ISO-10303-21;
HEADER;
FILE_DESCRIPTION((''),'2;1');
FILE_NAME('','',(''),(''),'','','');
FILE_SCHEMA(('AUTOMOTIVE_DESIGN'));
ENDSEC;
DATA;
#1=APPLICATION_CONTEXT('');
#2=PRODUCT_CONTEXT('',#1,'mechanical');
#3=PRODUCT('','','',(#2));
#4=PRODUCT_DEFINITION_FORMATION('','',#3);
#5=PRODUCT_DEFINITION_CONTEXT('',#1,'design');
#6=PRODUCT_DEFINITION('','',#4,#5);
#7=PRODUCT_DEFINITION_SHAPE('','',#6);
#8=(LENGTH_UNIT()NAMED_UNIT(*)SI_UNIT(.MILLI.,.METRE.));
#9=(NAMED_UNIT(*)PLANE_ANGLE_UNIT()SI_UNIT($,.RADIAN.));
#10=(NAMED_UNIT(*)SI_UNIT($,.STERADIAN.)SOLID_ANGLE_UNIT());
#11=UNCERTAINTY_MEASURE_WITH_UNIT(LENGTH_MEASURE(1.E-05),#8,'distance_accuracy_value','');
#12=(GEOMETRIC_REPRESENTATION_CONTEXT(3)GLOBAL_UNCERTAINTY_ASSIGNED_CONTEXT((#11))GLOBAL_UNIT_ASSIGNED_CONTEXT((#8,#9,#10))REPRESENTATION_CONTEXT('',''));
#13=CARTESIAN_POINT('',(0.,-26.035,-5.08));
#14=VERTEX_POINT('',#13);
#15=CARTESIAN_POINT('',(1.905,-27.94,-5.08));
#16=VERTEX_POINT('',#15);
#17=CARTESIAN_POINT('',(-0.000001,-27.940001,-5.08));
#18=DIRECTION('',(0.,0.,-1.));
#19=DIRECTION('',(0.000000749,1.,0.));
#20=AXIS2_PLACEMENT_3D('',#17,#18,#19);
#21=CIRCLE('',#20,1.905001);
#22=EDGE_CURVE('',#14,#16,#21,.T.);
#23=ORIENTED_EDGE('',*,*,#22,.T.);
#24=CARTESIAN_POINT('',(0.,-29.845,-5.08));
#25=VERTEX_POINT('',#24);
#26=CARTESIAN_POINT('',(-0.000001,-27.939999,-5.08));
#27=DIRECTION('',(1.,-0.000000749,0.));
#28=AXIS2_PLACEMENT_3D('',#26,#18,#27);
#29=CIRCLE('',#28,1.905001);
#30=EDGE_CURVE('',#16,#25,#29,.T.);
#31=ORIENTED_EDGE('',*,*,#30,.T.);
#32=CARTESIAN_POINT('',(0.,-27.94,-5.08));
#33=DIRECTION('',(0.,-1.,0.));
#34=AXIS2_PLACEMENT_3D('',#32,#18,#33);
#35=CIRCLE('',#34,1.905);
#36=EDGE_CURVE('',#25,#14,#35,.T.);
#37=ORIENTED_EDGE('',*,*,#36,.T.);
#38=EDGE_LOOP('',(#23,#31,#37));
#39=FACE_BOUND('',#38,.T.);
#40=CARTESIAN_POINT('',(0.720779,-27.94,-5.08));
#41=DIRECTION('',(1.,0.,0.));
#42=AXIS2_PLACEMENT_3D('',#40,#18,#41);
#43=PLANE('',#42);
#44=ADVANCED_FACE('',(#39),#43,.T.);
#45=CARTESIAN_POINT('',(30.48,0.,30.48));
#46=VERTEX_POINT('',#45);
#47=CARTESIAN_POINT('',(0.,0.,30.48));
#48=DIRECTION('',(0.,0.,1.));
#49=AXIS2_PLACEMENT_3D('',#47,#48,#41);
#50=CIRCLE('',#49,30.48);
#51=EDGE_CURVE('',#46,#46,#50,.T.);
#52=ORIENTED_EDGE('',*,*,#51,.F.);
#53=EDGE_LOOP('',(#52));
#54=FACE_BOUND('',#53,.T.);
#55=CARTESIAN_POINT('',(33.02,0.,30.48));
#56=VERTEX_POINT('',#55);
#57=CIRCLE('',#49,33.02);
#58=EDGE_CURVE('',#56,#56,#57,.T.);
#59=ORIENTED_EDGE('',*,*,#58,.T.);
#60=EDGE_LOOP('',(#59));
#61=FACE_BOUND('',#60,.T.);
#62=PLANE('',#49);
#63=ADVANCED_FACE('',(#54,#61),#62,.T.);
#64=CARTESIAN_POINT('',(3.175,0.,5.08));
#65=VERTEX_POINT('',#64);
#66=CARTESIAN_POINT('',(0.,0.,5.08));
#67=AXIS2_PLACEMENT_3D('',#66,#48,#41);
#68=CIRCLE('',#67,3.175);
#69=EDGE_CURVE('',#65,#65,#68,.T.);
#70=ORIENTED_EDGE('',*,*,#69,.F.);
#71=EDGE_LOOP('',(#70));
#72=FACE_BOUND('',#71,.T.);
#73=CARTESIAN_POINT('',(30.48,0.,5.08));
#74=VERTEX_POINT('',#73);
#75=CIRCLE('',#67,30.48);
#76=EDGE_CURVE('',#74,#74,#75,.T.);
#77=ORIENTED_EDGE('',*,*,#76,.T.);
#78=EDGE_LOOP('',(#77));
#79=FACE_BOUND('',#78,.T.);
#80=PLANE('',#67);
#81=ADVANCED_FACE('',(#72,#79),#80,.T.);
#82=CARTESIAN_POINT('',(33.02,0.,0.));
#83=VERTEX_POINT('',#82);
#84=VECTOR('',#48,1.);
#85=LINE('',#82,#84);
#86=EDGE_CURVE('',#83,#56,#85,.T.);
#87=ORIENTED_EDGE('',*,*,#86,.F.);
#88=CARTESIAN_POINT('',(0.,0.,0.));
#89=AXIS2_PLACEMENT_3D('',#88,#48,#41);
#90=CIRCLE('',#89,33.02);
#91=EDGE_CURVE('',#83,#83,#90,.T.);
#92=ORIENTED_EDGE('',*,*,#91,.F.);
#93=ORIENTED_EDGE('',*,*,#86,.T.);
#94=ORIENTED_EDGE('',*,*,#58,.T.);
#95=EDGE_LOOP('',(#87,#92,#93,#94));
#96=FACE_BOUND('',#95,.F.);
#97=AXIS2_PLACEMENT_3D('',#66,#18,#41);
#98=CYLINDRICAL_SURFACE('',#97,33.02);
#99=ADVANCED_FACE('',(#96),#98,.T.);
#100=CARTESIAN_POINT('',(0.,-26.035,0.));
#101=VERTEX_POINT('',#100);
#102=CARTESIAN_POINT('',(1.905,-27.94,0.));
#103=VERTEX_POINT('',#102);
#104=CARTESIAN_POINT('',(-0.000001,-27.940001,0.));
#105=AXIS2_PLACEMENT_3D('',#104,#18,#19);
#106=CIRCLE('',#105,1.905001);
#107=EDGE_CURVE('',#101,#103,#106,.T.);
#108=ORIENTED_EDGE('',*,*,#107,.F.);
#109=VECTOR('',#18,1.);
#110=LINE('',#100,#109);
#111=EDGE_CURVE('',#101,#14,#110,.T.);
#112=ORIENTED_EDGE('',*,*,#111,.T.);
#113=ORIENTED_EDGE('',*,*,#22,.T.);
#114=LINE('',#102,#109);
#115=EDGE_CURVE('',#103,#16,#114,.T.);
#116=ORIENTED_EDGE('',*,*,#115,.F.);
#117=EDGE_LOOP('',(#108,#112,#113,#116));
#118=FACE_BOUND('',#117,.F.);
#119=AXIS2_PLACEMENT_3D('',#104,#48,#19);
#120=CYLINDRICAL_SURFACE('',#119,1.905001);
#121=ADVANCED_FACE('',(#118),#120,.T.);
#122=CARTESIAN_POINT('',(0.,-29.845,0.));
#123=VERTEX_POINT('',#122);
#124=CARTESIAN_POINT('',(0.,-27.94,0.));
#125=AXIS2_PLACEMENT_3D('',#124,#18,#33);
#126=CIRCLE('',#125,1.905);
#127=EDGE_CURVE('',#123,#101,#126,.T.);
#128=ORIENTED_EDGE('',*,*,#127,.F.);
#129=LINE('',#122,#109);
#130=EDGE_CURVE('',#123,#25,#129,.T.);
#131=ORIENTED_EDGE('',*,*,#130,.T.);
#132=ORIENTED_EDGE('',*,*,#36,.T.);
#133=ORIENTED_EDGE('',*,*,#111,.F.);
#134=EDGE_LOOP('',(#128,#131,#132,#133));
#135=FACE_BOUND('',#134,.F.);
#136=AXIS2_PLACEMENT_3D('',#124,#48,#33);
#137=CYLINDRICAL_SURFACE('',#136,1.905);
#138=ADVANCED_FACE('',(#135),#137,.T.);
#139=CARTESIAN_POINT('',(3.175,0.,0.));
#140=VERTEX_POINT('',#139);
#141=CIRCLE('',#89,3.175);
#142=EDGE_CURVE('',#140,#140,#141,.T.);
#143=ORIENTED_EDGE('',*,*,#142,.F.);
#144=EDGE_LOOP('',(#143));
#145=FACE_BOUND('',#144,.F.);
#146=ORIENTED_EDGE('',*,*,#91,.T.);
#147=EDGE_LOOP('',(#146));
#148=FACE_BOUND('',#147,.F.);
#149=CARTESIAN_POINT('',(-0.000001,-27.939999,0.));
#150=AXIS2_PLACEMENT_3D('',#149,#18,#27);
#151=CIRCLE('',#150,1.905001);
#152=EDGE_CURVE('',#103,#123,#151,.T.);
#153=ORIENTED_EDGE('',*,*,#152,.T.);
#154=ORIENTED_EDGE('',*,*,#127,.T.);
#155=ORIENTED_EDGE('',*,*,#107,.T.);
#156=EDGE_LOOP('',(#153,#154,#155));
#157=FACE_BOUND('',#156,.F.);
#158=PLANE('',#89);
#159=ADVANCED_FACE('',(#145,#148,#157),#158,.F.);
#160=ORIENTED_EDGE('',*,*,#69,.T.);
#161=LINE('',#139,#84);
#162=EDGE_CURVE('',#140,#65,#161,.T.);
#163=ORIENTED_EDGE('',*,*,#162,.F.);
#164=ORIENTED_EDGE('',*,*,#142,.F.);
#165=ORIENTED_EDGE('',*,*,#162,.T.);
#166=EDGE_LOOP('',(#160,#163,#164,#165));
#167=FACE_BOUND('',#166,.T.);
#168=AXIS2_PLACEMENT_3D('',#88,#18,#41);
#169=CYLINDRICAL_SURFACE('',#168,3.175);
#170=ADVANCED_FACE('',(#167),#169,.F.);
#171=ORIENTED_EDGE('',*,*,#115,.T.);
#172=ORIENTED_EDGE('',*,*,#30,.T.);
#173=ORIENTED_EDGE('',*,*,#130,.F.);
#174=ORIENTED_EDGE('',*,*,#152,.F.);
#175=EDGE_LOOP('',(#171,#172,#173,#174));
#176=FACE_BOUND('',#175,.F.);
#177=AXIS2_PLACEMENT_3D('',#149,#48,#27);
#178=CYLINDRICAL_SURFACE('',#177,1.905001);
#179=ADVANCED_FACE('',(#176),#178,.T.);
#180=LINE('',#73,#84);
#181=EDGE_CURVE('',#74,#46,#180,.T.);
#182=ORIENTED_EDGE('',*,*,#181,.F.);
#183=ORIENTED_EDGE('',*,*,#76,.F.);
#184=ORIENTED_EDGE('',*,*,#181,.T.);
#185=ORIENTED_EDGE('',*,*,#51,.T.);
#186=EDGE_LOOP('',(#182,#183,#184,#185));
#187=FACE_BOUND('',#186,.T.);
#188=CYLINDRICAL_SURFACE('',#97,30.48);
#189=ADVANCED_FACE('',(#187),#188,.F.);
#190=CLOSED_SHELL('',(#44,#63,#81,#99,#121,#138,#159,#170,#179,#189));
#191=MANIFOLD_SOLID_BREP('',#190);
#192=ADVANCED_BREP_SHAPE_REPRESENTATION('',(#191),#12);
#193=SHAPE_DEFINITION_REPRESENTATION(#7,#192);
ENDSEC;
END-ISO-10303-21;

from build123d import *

# Parameters (mm, degrees)
F0_R     = 33.02
F0_R_2   = 3.175
F1_DEPTH = 5.08
F2_R     = 33.02
F2_R_2   = 30.48
F3_DEPTH = 25.4
F5_DEPTH = 5.08


with BuildPart() as f1:
    # F0 (on Top) → F1 (new body)
    with BuildSketch(Plane.XY):
        Circle(F0_R)
        Circle(F0_R_2, mode=Mode.SUBTRACT)
    extrude(amount=F1_DEPTH)

    # F2 (on face) → F3 (join)
    with BuildSketch(Plane.XY.offset(5.08)):
        Circle(F2_R)
        Circle(F2_R_2, mode=Mode.SUBTRACT)
    extrude(amount=F3_DEPTH)

    # F4 (on face) → F5 (join)
    with BuildSketch(Plane(origin=(0, 0, 0), x_dir=(1, 0, 0), z_dir=(0, 0, -1))):
        with BuildLine():
            Line((0, 29.845), (0, 26.035))
            ThreePointArc((0, 26.035), (1.347038, 26.592962), (1.905, 27.94))
            ThreePointArc((1.905, 27.94), (1.347038, 29.287038), (0, 29.845))
        make_face()
        with BuildLine():
            ThreePointArc((0, 29.845), (-1.905, 27.94), (0, 26.035))
            Line((0, 26.035), (0, 29.845))
        make_face()
    extrude(amount=F5_DEPTH)


solid = f1.part
